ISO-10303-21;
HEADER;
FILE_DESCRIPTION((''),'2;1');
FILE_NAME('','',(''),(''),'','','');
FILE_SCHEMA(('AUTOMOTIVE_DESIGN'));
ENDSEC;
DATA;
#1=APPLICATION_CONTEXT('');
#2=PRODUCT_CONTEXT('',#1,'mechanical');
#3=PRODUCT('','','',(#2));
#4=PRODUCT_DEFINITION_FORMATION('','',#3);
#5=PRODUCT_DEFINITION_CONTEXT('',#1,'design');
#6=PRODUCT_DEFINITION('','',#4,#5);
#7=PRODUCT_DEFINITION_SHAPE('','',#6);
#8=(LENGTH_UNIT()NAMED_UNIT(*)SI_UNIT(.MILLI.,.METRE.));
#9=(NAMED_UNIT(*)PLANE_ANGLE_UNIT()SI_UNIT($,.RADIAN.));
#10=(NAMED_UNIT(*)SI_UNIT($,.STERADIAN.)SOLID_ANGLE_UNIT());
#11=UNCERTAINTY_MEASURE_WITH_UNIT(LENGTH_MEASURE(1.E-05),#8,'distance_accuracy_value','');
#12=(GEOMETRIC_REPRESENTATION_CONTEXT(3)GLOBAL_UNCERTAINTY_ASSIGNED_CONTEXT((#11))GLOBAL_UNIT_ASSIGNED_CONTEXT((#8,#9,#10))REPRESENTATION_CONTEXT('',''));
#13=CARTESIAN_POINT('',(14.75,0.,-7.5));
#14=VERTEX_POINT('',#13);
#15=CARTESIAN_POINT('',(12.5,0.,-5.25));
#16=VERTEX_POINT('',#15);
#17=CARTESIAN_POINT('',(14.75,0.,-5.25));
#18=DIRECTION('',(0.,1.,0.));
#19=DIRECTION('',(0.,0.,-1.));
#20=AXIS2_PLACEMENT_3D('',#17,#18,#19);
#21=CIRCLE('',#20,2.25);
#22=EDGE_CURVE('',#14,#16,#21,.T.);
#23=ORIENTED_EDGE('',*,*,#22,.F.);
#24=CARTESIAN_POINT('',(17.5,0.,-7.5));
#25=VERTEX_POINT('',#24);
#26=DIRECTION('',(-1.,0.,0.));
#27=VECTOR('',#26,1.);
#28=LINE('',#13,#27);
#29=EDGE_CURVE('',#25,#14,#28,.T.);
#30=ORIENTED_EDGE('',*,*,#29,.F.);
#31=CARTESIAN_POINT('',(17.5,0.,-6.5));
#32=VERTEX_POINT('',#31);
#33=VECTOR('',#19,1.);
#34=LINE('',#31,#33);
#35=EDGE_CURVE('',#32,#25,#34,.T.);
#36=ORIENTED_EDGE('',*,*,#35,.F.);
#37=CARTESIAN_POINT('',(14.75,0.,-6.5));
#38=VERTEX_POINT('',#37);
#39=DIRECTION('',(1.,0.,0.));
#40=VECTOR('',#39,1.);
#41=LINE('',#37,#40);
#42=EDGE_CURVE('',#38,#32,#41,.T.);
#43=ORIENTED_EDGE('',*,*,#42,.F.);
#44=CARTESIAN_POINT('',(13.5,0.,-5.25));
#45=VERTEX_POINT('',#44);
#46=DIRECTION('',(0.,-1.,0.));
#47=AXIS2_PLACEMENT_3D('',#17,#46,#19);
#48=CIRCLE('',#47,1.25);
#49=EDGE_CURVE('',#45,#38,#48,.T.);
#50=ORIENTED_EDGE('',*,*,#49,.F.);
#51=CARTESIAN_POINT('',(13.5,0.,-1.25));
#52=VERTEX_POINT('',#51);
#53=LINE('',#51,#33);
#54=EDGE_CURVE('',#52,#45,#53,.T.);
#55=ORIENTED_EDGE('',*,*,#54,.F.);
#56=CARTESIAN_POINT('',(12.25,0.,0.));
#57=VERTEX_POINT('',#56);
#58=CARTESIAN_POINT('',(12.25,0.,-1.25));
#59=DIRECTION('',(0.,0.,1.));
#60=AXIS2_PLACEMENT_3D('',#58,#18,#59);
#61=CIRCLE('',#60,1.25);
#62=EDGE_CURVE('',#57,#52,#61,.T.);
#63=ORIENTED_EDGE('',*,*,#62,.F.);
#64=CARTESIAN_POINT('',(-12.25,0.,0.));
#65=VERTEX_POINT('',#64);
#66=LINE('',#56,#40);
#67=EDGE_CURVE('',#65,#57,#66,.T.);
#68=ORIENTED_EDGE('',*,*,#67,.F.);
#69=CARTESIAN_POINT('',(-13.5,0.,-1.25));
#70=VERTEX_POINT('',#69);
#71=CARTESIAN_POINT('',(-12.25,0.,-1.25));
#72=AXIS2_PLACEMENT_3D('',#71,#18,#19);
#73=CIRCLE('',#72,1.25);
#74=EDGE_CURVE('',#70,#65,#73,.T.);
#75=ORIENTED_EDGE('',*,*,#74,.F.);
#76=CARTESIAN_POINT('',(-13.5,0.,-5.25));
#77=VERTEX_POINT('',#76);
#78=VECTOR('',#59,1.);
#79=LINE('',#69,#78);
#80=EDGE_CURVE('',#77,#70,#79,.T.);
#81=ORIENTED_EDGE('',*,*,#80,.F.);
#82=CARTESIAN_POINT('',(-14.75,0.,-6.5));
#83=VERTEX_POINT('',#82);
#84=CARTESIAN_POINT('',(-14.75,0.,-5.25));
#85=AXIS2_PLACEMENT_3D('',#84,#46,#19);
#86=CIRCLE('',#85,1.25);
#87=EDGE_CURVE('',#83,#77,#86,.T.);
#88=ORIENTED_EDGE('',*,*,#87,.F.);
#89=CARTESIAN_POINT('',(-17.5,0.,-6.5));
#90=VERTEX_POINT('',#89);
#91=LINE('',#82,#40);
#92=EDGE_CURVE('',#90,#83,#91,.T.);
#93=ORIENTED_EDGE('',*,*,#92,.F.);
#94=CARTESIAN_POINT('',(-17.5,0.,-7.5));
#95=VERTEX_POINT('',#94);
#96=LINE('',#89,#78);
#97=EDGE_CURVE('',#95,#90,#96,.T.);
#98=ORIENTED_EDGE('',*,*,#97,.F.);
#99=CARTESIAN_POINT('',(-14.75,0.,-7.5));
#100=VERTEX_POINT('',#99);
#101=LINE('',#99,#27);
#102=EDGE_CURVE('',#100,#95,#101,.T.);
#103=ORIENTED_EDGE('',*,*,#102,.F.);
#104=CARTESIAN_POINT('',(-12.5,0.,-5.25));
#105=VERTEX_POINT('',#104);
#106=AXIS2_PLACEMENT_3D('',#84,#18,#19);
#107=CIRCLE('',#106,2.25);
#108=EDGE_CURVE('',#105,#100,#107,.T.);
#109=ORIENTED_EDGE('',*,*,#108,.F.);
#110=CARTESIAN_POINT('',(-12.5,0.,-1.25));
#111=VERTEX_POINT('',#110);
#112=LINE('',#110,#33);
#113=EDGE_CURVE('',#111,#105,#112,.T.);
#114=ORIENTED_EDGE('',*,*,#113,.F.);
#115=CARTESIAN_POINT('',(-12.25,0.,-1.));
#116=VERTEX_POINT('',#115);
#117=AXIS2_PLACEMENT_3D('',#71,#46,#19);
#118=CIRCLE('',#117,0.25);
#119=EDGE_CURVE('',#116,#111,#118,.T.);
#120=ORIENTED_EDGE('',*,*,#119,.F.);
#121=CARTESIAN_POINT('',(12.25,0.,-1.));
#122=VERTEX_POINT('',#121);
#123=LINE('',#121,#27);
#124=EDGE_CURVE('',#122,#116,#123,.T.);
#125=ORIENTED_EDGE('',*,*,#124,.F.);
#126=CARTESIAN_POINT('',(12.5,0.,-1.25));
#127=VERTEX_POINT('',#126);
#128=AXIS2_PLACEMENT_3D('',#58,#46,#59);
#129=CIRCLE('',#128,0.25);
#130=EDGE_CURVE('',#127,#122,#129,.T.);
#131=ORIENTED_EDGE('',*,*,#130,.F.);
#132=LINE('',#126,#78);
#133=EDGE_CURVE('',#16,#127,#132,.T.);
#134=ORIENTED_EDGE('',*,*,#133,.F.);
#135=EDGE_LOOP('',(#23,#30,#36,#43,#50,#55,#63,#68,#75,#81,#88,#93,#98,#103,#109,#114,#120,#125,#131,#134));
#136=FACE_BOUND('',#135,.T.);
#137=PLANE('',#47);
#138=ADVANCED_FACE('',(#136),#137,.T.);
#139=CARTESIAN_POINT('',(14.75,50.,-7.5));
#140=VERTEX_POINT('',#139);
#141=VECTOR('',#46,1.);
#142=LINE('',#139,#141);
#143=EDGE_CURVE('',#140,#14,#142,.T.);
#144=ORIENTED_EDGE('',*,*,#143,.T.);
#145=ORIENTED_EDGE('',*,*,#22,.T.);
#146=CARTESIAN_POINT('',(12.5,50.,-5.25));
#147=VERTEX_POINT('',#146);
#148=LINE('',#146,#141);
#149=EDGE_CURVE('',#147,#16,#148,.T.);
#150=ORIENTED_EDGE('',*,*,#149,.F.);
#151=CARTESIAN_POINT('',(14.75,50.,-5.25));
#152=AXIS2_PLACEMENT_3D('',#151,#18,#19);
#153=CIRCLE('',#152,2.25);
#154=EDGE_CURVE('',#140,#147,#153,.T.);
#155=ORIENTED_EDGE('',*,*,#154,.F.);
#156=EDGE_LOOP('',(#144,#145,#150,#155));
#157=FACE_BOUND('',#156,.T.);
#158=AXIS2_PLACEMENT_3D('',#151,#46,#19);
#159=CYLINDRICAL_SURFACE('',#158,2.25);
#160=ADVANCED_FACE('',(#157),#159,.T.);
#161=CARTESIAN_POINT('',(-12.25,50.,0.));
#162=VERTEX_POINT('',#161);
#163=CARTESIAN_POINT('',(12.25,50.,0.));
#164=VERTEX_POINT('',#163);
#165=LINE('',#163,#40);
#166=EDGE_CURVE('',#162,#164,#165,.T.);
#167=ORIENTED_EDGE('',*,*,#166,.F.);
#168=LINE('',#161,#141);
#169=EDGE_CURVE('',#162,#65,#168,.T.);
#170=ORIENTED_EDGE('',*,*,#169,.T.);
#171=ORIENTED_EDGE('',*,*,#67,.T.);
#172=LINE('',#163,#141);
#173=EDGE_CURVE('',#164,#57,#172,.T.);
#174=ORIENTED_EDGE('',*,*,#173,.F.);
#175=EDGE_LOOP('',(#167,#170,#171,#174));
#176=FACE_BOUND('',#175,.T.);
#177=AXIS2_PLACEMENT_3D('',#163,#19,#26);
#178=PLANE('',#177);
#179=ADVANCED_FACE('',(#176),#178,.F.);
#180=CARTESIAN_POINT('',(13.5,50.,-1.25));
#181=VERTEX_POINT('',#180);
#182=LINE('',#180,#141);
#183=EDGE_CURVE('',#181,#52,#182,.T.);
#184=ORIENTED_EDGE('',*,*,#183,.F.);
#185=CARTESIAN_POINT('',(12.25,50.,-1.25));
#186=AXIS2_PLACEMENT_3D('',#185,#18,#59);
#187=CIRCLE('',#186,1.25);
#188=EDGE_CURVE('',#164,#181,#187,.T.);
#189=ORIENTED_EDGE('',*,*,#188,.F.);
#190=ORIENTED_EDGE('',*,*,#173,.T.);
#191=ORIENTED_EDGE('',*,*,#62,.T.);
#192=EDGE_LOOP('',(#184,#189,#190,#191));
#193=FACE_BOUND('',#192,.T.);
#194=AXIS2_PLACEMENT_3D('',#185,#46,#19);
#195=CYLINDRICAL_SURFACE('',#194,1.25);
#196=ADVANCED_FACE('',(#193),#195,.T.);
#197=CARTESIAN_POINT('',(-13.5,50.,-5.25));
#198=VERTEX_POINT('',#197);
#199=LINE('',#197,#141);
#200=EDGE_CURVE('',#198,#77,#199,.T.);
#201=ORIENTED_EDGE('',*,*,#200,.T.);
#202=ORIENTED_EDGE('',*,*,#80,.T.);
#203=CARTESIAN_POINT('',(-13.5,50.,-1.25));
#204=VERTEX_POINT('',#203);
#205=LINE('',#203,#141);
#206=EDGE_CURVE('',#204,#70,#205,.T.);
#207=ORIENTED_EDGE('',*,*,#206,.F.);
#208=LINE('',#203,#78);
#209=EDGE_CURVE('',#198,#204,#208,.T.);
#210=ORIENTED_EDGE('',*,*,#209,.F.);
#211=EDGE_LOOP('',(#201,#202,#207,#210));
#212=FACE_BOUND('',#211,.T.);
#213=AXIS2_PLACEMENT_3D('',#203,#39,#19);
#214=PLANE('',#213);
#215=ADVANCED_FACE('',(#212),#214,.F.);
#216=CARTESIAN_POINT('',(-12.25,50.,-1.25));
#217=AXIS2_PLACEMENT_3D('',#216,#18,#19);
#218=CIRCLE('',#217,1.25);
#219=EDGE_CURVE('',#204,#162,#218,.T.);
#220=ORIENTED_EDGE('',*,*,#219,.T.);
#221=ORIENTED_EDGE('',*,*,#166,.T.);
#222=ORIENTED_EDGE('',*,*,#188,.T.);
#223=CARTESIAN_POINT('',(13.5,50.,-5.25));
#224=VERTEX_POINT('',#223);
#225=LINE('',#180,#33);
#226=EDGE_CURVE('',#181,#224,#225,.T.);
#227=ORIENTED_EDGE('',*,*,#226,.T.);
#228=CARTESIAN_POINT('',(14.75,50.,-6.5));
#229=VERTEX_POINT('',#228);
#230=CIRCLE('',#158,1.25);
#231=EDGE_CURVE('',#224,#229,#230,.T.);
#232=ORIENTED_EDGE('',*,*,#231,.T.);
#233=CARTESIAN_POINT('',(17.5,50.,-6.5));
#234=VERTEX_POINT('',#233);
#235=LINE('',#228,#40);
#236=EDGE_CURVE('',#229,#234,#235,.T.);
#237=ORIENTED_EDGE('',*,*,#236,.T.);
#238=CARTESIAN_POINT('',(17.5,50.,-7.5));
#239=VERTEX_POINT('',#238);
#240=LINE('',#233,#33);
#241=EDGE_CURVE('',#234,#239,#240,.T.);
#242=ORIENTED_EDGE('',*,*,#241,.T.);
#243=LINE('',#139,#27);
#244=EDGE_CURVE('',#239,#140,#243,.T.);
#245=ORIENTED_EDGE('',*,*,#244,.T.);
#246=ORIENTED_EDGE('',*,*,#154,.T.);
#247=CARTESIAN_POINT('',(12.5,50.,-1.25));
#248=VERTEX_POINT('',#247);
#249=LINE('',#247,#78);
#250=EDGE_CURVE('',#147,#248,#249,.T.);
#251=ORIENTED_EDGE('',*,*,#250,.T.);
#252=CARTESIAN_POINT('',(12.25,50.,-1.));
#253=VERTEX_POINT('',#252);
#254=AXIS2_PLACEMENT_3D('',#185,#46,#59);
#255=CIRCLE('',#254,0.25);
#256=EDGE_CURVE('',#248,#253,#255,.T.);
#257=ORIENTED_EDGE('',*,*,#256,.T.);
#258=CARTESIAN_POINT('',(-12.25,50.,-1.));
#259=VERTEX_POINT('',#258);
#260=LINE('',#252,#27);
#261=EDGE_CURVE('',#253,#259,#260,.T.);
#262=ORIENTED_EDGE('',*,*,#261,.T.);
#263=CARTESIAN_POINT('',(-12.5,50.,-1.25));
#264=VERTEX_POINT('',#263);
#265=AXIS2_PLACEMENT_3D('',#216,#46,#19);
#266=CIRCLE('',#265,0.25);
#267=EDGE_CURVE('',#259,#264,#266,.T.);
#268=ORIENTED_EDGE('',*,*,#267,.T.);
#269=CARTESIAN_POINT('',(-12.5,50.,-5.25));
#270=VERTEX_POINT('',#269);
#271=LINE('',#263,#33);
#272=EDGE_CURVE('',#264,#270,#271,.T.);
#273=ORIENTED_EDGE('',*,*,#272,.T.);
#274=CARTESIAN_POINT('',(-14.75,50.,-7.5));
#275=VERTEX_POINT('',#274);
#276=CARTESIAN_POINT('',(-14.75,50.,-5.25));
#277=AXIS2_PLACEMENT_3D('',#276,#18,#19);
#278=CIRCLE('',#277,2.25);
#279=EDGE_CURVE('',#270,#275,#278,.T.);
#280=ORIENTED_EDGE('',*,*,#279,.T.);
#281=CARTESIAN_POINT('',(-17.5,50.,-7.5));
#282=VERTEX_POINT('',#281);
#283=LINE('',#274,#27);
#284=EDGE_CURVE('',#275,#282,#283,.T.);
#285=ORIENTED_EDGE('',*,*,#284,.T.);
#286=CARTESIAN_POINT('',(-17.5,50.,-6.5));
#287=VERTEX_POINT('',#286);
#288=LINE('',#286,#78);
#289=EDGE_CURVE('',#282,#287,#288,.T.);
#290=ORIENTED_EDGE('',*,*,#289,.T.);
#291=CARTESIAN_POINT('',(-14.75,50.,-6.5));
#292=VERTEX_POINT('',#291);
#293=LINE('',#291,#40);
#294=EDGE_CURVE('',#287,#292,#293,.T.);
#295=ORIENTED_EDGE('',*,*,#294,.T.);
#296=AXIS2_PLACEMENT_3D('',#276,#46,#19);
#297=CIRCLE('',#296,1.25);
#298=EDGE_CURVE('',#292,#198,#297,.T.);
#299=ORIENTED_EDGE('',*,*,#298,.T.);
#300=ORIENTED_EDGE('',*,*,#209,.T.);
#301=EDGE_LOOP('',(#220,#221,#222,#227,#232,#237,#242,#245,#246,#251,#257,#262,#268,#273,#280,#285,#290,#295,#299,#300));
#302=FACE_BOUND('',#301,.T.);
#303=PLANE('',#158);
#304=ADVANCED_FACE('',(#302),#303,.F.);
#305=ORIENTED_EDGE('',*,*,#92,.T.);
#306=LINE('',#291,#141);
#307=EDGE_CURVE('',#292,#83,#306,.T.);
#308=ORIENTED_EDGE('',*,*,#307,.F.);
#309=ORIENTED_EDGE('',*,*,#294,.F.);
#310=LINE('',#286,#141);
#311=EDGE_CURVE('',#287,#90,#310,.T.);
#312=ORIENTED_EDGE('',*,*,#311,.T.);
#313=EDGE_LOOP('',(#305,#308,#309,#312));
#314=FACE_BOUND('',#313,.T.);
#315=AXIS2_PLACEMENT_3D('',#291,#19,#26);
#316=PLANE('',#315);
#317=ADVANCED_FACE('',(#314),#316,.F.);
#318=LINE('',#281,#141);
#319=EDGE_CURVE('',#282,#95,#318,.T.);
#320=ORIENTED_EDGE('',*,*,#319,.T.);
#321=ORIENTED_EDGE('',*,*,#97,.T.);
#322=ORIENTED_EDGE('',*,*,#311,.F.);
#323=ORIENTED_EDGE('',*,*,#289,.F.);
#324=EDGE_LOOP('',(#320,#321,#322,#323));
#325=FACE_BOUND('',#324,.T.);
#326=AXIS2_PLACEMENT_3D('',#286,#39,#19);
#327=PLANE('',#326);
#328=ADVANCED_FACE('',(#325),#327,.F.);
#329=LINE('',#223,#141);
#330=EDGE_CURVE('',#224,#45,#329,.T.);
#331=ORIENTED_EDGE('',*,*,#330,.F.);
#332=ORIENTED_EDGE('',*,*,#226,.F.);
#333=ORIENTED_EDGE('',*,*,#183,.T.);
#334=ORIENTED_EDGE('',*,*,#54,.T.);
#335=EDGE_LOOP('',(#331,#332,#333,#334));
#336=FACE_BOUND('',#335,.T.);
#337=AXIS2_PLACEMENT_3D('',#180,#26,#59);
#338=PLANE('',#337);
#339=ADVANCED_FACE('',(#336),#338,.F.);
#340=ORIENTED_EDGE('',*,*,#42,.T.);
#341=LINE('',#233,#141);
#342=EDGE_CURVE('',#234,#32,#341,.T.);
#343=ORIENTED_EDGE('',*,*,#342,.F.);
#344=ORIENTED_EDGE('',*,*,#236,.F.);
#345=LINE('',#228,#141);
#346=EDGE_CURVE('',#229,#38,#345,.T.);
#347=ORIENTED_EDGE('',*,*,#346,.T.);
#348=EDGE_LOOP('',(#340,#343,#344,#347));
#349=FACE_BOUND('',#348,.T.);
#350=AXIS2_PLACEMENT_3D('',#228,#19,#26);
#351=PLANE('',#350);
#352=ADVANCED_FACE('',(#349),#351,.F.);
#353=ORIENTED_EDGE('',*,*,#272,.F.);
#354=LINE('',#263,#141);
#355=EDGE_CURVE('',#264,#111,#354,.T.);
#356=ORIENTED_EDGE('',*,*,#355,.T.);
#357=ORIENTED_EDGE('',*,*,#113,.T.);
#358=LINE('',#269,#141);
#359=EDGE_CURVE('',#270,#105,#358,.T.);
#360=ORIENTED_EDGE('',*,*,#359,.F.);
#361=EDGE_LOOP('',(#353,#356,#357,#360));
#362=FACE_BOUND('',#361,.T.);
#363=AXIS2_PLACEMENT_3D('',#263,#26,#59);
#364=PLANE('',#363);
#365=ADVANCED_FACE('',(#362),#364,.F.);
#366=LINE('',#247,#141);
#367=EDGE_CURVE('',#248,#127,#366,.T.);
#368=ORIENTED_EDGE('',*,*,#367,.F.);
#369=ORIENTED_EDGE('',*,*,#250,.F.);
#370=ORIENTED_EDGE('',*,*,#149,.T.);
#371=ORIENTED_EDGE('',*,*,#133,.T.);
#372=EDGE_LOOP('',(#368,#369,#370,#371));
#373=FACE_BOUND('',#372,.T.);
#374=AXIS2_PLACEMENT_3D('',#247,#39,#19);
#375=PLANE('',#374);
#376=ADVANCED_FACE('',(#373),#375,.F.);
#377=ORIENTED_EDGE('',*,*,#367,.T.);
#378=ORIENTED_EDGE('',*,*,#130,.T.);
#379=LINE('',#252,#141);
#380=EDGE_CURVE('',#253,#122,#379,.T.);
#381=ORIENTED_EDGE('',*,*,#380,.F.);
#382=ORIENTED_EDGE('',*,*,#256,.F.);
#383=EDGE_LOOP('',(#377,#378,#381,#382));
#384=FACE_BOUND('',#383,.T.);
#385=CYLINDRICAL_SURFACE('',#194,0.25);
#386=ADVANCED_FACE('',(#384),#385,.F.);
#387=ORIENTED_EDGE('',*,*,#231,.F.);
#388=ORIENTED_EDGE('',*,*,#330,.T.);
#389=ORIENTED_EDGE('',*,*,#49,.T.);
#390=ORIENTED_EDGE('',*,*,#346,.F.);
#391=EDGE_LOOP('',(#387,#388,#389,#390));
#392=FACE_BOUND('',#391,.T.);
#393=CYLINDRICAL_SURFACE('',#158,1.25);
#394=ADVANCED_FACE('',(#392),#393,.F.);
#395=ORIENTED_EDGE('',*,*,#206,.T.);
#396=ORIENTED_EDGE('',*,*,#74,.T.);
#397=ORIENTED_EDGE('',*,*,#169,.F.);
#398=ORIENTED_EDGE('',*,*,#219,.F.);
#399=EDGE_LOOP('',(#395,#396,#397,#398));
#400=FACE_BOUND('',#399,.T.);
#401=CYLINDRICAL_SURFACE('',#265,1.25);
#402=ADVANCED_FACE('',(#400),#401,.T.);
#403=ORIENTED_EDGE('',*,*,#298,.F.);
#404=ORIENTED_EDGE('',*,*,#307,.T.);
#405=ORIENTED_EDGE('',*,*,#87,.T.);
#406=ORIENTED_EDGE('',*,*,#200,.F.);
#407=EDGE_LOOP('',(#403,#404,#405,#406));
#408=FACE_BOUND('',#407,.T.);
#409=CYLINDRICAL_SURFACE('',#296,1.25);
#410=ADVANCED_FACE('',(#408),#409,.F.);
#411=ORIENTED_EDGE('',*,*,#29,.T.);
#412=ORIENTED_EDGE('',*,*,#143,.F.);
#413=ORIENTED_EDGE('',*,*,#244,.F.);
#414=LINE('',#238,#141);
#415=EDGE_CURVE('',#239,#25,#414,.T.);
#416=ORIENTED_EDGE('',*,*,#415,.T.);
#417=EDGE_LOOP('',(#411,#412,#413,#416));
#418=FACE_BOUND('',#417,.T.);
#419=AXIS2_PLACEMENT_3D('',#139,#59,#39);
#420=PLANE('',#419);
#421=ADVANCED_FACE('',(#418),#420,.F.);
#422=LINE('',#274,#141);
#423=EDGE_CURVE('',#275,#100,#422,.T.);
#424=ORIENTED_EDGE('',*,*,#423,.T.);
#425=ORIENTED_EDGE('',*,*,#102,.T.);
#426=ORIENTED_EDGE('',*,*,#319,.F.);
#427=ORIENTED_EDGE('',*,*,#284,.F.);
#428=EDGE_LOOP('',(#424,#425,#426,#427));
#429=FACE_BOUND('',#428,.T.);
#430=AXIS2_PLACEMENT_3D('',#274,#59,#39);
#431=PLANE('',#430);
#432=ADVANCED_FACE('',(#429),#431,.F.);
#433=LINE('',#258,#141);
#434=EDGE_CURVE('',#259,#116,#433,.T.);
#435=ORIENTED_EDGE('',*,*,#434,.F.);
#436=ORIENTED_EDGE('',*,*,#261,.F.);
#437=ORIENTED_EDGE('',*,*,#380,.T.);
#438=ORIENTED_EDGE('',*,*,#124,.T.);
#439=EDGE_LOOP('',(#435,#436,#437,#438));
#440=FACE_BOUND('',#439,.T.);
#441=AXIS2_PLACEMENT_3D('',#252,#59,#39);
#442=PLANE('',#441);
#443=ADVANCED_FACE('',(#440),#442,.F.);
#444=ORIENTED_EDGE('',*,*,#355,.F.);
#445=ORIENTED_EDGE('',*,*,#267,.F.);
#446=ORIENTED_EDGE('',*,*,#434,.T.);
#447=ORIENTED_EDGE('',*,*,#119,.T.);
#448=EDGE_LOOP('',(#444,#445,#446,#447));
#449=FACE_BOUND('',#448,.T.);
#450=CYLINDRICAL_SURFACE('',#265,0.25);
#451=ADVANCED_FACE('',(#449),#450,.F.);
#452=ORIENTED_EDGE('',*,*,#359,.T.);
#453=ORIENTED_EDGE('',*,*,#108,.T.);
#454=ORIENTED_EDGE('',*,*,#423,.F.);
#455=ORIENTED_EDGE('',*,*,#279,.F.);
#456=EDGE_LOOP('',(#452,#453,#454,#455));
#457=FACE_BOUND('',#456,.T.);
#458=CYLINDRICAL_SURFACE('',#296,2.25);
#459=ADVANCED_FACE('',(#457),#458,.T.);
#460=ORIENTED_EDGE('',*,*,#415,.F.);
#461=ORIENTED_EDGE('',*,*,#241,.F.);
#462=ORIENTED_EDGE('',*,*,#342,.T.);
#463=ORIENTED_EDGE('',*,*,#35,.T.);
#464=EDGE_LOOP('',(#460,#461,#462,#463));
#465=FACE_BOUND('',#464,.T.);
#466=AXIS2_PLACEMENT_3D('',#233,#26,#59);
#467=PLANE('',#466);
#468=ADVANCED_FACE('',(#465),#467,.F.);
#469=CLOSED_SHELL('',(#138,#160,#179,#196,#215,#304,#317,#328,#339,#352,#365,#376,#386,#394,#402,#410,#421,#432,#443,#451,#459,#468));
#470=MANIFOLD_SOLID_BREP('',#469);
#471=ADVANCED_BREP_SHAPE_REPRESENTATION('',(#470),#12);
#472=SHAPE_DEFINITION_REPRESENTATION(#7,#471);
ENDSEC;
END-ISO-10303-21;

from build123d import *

# Parameters (mm, degrees)
OMEGA_TS_35_1_DEPTH = 50


with BuildPart() as part:
    # Sketch2 → Omega TS-35(1) (new body)
    with BuildSketch(Plane(origin=(0, 0, 0), x_dir=(1, 0, 0), z_dir=(0, 1, 0))):
        with BuildLine():
            Line((12.25, 0), (-12.25, 0))
            ThreePointArc((-12.25, 0), (-13.133883476, 0.366116524), (-13.5, 1.25))
            Line((-13.5, 1.25), (-13.5, 5.25))
            ThreePointArc((-13.5, 5.25), (-13.866116524, 6.133883476), (-14.75, 6.5))
            Line((-14.75, 6.5), (-17.5, 6.5))
            Line((-17.5, 6.5), (-17.5, 7.5))
            Line((-17.5, 7.5), (-14.75, 7.5))
            ThreePointArc((-14.75, 7.5), (-13.159009742, 6.840990258), (-12.5, 5.25))
            Line((-12.5, 5.25), (-12.5, 1.25))
            ThreePointArc((-12.5, 1.25), (-12.426776695, 1.073223305), (-12.25, 1))
            Line((-12.25, 1), (12.25, 1))
            ThreePointArc((12.25, 1), (12.426776695, 1.073223305), (12.5, 1.25))
            Line((12.5, 1.25), (12.5, 5.25))
            ThreePointArc((12.5, 5.25), (13.159009742, 6.840990258), (14.75, 7.5))
            Line((14.75, 7.5), (17.5, 7.5))
            Line((17.5, 7.5), (17.5, 6.5))
            Line((17.5, 6.5), (14.75, 6.5))
            ThreePointArc((14.75, 6.5), (13.866116524, 6.133883476), (13.5, 5.25))
            Line((13.5, 5.25), (13.5, 1.25))
            ThreePointArc((13.5, 1.25), (13.133883476, 0.366116524), (12.25, 0))
        make_face()
    extrude(amount=OMEGA_TS_35_1_DEPTH)


solid = part.part
